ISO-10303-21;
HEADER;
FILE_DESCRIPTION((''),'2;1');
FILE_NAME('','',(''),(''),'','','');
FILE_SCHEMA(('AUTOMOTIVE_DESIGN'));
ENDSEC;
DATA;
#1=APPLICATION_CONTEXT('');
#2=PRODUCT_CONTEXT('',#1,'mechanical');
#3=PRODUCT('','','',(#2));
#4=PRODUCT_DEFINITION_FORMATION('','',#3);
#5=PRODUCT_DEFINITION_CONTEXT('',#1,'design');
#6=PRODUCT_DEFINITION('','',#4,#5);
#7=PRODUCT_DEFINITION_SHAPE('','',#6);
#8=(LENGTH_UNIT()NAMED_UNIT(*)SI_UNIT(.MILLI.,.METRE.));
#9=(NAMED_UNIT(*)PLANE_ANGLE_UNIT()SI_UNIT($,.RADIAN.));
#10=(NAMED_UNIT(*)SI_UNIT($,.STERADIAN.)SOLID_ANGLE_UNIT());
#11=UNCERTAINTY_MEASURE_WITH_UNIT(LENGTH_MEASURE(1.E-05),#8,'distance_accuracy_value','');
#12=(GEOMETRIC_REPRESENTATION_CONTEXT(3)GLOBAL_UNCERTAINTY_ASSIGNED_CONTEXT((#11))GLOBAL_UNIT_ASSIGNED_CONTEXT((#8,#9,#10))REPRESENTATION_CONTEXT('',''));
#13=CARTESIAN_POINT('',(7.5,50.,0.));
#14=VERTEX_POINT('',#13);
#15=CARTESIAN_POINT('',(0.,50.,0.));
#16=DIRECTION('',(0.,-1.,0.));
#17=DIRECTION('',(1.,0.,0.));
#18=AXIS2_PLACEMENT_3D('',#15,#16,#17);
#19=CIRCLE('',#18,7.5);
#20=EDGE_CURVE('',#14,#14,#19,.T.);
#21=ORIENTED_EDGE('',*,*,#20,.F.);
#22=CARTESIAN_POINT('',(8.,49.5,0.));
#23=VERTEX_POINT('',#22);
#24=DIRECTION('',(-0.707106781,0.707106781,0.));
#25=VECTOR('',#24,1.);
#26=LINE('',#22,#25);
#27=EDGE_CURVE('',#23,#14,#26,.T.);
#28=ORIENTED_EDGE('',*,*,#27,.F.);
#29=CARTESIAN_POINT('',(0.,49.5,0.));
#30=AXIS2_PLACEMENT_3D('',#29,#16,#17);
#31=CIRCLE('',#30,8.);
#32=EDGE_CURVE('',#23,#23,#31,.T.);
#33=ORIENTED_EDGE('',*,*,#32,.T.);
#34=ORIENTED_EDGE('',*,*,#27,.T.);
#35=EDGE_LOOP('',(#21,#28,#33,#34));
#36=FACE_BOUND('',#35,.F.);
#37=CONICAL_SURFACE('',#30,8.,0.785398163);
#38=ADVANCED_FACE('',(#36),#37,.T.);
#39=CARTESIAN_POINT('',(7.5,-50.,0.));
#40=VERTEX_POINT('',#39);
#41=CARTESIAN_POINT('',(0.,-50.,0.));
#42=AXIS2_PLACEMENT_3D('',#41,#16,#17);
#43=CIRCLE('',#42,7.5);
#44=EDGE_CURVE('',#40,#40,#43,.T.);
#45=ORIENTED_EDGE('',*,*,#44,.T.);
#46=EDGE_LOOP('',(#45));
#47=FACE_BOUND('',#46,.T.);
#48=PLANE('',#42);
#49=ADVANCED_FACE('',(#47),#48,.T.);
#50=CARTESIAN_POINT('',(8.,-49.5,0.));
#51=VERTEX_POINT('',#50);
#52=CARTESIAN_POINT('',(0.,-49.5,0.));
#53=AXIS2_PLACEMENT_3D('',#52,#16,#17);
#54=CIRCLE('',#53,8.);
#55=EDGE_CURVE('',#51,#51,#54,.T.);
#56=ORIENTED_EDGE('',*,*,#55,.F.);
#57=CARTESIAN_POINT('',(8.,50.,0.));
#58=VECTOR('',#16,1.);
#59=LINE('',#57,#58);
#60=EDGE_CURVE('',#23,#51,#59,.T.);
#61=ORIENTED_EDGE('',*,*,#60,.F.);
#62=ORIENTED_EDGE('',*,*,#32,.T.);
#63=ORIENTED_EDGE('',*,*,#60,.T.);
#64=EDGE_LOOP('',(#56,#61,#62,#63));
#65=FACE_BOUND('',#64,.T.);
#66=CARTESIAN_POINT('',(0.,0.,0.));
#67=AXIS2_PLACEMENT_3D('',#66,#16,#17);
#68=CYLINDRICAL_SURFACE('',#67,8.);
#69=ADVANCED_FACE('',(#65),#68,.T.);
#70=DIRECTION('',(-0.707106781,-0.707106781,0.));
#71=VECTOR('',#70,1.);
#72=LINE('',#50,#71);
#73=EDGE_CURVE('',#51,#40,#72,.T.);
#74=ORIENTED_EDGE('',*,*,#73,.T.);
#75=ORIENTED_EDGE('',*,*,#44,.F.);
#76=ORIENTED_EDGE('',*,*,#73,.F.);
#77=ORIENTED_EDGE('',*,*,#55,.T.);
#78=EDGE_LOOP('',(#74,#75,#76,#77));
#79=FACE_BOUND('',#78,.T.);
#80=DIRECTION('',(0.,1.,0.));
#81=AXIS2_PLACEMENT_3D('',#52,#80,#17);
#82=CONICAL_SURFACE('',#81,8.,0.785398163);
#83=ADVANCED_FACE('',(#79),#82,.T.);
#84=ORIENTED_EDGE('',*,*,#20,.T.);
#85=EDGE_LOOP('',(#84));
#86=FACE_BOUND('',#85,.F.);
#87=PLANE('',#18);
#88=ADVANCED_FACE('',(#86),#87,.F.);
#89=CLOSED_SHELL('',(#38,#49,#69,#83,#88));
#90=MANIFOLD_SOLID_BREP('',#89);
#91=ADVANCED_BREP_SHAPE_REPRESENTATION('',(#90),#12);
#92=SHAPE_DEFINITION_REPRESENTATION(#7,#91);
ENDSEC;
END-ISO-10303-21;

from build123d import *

# Parameters (mm, degrees)
F0_R     = 8
F1_DEPTH = 50
F2_SIZE  = 0.5


with BuildPart() as f1:
    # F0 (on Front) → F1 (new body, symmetric)
    with BuildSketch(Plane.XZ):
        Circle(F0_R)
    extrude(amount=F1_DEPTH, both=True)

    # F2
    f2_edges = [f1.edges().sort_by_distance(p)[0] for p in [
        (-8, 50, 0),
        (8, 0, 0),
        (-8, -50, 0),
    ]]
    chamfer(f2_edges, length=F2_SIZE)


solid = f1.part
